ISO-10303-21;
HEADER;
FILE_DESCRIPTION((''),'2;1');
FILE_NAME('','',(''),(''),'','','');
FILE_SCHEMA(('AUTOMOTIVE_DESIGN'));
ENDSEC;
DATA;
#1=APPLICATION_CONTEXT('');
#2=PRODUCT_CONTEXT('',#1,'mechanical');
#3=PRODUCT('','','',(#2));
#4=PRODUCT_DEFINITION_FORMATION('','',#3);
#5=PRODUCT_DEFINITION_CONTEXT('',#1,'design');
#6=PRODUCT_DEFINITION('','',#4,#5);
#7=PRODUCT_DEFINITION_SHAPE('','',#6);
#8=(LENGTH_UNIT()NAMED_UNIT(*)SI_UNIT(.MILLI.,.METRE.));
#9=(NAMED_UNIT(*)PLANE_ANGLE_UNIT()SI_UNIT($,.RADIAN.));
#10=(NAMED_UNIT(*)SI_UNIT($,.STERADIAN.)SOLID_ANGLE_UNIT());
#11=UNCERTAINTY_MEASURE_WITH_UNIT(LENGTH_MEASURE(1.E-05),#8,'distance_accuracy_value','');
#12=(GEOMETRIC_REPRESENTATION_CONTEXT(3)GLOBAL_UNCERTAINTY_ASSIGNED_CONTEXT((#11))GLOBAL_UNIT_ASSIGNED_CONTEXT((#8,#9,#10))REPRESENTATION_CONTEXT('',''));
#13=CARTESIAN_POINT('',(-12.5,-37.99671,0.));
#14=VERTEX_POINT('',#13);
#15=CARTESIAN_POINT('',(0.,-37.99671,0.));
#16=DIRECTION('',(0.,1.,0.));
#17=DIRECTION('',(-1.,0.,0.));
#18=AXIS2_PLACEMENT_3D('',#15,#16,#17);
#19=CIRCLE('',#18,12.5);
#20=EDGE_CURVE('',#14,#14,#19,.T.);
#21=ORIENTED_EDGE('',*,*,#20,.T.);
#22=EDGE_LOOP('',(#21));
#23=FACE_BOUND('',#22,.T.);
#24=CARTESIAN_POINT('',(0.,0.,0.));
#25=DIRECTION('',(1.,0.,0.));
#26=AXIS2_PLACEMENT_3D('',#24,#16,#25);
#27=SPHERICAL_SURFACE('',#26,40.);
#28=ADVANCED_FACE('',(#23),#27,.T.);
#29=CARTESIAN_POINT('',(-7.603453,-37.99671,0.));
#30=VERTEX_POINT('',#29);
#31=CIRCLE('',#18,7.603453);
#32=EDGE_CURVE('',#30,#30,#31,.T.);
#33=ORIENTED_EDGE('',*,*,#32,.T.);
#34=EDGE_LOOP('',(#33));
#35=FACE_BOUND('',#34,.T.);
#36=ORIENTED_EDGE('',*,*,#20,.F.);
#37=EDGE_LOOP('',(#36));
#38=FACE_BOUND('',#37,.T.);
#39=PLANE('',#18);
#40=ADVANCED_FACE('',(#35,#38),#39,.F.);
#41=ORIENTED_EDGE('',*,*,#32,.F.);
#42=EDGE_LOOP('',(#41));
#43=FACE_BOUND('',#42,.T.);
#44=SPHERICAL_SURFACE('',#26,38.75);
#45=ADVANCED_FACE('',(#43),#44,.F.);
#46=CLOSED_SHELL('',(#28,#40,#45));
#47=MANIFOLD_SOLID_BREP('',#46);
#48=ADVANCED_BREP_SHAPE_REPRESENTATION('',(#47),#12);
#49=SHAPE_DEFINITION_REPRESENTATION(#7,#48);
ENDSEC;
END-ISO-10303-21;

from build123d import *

# Parameters (mm, degrees)
SHELL5_T = -1.25


with BuildPart() as part:
    # Sketch2 → Revolve1 (revolve)
    with BuildSketch(Plane.XY):
        with BuildLine():
            Line((0, 40), (0, -37.996710384))
            Line((0, -37.996710384), (12.5, -37.996710384))
            ThreePointArc((12.5, -37.996710384), (39.496002427, 6.329754523), (0, 40))
        make_face()
    revolve(axis=Axis((0, 40, 0), (0, -1, 0)))

    # Shell5
    shell5_openings = [part.faces().sort_by_distance(p)[0] for p in [
        (0, -37.996710384, 0),
    ]]
    offset(amount=SHELL5_T, openings=shell5_openings, kind=Kind.INTERSECTION)


solid = part.part
